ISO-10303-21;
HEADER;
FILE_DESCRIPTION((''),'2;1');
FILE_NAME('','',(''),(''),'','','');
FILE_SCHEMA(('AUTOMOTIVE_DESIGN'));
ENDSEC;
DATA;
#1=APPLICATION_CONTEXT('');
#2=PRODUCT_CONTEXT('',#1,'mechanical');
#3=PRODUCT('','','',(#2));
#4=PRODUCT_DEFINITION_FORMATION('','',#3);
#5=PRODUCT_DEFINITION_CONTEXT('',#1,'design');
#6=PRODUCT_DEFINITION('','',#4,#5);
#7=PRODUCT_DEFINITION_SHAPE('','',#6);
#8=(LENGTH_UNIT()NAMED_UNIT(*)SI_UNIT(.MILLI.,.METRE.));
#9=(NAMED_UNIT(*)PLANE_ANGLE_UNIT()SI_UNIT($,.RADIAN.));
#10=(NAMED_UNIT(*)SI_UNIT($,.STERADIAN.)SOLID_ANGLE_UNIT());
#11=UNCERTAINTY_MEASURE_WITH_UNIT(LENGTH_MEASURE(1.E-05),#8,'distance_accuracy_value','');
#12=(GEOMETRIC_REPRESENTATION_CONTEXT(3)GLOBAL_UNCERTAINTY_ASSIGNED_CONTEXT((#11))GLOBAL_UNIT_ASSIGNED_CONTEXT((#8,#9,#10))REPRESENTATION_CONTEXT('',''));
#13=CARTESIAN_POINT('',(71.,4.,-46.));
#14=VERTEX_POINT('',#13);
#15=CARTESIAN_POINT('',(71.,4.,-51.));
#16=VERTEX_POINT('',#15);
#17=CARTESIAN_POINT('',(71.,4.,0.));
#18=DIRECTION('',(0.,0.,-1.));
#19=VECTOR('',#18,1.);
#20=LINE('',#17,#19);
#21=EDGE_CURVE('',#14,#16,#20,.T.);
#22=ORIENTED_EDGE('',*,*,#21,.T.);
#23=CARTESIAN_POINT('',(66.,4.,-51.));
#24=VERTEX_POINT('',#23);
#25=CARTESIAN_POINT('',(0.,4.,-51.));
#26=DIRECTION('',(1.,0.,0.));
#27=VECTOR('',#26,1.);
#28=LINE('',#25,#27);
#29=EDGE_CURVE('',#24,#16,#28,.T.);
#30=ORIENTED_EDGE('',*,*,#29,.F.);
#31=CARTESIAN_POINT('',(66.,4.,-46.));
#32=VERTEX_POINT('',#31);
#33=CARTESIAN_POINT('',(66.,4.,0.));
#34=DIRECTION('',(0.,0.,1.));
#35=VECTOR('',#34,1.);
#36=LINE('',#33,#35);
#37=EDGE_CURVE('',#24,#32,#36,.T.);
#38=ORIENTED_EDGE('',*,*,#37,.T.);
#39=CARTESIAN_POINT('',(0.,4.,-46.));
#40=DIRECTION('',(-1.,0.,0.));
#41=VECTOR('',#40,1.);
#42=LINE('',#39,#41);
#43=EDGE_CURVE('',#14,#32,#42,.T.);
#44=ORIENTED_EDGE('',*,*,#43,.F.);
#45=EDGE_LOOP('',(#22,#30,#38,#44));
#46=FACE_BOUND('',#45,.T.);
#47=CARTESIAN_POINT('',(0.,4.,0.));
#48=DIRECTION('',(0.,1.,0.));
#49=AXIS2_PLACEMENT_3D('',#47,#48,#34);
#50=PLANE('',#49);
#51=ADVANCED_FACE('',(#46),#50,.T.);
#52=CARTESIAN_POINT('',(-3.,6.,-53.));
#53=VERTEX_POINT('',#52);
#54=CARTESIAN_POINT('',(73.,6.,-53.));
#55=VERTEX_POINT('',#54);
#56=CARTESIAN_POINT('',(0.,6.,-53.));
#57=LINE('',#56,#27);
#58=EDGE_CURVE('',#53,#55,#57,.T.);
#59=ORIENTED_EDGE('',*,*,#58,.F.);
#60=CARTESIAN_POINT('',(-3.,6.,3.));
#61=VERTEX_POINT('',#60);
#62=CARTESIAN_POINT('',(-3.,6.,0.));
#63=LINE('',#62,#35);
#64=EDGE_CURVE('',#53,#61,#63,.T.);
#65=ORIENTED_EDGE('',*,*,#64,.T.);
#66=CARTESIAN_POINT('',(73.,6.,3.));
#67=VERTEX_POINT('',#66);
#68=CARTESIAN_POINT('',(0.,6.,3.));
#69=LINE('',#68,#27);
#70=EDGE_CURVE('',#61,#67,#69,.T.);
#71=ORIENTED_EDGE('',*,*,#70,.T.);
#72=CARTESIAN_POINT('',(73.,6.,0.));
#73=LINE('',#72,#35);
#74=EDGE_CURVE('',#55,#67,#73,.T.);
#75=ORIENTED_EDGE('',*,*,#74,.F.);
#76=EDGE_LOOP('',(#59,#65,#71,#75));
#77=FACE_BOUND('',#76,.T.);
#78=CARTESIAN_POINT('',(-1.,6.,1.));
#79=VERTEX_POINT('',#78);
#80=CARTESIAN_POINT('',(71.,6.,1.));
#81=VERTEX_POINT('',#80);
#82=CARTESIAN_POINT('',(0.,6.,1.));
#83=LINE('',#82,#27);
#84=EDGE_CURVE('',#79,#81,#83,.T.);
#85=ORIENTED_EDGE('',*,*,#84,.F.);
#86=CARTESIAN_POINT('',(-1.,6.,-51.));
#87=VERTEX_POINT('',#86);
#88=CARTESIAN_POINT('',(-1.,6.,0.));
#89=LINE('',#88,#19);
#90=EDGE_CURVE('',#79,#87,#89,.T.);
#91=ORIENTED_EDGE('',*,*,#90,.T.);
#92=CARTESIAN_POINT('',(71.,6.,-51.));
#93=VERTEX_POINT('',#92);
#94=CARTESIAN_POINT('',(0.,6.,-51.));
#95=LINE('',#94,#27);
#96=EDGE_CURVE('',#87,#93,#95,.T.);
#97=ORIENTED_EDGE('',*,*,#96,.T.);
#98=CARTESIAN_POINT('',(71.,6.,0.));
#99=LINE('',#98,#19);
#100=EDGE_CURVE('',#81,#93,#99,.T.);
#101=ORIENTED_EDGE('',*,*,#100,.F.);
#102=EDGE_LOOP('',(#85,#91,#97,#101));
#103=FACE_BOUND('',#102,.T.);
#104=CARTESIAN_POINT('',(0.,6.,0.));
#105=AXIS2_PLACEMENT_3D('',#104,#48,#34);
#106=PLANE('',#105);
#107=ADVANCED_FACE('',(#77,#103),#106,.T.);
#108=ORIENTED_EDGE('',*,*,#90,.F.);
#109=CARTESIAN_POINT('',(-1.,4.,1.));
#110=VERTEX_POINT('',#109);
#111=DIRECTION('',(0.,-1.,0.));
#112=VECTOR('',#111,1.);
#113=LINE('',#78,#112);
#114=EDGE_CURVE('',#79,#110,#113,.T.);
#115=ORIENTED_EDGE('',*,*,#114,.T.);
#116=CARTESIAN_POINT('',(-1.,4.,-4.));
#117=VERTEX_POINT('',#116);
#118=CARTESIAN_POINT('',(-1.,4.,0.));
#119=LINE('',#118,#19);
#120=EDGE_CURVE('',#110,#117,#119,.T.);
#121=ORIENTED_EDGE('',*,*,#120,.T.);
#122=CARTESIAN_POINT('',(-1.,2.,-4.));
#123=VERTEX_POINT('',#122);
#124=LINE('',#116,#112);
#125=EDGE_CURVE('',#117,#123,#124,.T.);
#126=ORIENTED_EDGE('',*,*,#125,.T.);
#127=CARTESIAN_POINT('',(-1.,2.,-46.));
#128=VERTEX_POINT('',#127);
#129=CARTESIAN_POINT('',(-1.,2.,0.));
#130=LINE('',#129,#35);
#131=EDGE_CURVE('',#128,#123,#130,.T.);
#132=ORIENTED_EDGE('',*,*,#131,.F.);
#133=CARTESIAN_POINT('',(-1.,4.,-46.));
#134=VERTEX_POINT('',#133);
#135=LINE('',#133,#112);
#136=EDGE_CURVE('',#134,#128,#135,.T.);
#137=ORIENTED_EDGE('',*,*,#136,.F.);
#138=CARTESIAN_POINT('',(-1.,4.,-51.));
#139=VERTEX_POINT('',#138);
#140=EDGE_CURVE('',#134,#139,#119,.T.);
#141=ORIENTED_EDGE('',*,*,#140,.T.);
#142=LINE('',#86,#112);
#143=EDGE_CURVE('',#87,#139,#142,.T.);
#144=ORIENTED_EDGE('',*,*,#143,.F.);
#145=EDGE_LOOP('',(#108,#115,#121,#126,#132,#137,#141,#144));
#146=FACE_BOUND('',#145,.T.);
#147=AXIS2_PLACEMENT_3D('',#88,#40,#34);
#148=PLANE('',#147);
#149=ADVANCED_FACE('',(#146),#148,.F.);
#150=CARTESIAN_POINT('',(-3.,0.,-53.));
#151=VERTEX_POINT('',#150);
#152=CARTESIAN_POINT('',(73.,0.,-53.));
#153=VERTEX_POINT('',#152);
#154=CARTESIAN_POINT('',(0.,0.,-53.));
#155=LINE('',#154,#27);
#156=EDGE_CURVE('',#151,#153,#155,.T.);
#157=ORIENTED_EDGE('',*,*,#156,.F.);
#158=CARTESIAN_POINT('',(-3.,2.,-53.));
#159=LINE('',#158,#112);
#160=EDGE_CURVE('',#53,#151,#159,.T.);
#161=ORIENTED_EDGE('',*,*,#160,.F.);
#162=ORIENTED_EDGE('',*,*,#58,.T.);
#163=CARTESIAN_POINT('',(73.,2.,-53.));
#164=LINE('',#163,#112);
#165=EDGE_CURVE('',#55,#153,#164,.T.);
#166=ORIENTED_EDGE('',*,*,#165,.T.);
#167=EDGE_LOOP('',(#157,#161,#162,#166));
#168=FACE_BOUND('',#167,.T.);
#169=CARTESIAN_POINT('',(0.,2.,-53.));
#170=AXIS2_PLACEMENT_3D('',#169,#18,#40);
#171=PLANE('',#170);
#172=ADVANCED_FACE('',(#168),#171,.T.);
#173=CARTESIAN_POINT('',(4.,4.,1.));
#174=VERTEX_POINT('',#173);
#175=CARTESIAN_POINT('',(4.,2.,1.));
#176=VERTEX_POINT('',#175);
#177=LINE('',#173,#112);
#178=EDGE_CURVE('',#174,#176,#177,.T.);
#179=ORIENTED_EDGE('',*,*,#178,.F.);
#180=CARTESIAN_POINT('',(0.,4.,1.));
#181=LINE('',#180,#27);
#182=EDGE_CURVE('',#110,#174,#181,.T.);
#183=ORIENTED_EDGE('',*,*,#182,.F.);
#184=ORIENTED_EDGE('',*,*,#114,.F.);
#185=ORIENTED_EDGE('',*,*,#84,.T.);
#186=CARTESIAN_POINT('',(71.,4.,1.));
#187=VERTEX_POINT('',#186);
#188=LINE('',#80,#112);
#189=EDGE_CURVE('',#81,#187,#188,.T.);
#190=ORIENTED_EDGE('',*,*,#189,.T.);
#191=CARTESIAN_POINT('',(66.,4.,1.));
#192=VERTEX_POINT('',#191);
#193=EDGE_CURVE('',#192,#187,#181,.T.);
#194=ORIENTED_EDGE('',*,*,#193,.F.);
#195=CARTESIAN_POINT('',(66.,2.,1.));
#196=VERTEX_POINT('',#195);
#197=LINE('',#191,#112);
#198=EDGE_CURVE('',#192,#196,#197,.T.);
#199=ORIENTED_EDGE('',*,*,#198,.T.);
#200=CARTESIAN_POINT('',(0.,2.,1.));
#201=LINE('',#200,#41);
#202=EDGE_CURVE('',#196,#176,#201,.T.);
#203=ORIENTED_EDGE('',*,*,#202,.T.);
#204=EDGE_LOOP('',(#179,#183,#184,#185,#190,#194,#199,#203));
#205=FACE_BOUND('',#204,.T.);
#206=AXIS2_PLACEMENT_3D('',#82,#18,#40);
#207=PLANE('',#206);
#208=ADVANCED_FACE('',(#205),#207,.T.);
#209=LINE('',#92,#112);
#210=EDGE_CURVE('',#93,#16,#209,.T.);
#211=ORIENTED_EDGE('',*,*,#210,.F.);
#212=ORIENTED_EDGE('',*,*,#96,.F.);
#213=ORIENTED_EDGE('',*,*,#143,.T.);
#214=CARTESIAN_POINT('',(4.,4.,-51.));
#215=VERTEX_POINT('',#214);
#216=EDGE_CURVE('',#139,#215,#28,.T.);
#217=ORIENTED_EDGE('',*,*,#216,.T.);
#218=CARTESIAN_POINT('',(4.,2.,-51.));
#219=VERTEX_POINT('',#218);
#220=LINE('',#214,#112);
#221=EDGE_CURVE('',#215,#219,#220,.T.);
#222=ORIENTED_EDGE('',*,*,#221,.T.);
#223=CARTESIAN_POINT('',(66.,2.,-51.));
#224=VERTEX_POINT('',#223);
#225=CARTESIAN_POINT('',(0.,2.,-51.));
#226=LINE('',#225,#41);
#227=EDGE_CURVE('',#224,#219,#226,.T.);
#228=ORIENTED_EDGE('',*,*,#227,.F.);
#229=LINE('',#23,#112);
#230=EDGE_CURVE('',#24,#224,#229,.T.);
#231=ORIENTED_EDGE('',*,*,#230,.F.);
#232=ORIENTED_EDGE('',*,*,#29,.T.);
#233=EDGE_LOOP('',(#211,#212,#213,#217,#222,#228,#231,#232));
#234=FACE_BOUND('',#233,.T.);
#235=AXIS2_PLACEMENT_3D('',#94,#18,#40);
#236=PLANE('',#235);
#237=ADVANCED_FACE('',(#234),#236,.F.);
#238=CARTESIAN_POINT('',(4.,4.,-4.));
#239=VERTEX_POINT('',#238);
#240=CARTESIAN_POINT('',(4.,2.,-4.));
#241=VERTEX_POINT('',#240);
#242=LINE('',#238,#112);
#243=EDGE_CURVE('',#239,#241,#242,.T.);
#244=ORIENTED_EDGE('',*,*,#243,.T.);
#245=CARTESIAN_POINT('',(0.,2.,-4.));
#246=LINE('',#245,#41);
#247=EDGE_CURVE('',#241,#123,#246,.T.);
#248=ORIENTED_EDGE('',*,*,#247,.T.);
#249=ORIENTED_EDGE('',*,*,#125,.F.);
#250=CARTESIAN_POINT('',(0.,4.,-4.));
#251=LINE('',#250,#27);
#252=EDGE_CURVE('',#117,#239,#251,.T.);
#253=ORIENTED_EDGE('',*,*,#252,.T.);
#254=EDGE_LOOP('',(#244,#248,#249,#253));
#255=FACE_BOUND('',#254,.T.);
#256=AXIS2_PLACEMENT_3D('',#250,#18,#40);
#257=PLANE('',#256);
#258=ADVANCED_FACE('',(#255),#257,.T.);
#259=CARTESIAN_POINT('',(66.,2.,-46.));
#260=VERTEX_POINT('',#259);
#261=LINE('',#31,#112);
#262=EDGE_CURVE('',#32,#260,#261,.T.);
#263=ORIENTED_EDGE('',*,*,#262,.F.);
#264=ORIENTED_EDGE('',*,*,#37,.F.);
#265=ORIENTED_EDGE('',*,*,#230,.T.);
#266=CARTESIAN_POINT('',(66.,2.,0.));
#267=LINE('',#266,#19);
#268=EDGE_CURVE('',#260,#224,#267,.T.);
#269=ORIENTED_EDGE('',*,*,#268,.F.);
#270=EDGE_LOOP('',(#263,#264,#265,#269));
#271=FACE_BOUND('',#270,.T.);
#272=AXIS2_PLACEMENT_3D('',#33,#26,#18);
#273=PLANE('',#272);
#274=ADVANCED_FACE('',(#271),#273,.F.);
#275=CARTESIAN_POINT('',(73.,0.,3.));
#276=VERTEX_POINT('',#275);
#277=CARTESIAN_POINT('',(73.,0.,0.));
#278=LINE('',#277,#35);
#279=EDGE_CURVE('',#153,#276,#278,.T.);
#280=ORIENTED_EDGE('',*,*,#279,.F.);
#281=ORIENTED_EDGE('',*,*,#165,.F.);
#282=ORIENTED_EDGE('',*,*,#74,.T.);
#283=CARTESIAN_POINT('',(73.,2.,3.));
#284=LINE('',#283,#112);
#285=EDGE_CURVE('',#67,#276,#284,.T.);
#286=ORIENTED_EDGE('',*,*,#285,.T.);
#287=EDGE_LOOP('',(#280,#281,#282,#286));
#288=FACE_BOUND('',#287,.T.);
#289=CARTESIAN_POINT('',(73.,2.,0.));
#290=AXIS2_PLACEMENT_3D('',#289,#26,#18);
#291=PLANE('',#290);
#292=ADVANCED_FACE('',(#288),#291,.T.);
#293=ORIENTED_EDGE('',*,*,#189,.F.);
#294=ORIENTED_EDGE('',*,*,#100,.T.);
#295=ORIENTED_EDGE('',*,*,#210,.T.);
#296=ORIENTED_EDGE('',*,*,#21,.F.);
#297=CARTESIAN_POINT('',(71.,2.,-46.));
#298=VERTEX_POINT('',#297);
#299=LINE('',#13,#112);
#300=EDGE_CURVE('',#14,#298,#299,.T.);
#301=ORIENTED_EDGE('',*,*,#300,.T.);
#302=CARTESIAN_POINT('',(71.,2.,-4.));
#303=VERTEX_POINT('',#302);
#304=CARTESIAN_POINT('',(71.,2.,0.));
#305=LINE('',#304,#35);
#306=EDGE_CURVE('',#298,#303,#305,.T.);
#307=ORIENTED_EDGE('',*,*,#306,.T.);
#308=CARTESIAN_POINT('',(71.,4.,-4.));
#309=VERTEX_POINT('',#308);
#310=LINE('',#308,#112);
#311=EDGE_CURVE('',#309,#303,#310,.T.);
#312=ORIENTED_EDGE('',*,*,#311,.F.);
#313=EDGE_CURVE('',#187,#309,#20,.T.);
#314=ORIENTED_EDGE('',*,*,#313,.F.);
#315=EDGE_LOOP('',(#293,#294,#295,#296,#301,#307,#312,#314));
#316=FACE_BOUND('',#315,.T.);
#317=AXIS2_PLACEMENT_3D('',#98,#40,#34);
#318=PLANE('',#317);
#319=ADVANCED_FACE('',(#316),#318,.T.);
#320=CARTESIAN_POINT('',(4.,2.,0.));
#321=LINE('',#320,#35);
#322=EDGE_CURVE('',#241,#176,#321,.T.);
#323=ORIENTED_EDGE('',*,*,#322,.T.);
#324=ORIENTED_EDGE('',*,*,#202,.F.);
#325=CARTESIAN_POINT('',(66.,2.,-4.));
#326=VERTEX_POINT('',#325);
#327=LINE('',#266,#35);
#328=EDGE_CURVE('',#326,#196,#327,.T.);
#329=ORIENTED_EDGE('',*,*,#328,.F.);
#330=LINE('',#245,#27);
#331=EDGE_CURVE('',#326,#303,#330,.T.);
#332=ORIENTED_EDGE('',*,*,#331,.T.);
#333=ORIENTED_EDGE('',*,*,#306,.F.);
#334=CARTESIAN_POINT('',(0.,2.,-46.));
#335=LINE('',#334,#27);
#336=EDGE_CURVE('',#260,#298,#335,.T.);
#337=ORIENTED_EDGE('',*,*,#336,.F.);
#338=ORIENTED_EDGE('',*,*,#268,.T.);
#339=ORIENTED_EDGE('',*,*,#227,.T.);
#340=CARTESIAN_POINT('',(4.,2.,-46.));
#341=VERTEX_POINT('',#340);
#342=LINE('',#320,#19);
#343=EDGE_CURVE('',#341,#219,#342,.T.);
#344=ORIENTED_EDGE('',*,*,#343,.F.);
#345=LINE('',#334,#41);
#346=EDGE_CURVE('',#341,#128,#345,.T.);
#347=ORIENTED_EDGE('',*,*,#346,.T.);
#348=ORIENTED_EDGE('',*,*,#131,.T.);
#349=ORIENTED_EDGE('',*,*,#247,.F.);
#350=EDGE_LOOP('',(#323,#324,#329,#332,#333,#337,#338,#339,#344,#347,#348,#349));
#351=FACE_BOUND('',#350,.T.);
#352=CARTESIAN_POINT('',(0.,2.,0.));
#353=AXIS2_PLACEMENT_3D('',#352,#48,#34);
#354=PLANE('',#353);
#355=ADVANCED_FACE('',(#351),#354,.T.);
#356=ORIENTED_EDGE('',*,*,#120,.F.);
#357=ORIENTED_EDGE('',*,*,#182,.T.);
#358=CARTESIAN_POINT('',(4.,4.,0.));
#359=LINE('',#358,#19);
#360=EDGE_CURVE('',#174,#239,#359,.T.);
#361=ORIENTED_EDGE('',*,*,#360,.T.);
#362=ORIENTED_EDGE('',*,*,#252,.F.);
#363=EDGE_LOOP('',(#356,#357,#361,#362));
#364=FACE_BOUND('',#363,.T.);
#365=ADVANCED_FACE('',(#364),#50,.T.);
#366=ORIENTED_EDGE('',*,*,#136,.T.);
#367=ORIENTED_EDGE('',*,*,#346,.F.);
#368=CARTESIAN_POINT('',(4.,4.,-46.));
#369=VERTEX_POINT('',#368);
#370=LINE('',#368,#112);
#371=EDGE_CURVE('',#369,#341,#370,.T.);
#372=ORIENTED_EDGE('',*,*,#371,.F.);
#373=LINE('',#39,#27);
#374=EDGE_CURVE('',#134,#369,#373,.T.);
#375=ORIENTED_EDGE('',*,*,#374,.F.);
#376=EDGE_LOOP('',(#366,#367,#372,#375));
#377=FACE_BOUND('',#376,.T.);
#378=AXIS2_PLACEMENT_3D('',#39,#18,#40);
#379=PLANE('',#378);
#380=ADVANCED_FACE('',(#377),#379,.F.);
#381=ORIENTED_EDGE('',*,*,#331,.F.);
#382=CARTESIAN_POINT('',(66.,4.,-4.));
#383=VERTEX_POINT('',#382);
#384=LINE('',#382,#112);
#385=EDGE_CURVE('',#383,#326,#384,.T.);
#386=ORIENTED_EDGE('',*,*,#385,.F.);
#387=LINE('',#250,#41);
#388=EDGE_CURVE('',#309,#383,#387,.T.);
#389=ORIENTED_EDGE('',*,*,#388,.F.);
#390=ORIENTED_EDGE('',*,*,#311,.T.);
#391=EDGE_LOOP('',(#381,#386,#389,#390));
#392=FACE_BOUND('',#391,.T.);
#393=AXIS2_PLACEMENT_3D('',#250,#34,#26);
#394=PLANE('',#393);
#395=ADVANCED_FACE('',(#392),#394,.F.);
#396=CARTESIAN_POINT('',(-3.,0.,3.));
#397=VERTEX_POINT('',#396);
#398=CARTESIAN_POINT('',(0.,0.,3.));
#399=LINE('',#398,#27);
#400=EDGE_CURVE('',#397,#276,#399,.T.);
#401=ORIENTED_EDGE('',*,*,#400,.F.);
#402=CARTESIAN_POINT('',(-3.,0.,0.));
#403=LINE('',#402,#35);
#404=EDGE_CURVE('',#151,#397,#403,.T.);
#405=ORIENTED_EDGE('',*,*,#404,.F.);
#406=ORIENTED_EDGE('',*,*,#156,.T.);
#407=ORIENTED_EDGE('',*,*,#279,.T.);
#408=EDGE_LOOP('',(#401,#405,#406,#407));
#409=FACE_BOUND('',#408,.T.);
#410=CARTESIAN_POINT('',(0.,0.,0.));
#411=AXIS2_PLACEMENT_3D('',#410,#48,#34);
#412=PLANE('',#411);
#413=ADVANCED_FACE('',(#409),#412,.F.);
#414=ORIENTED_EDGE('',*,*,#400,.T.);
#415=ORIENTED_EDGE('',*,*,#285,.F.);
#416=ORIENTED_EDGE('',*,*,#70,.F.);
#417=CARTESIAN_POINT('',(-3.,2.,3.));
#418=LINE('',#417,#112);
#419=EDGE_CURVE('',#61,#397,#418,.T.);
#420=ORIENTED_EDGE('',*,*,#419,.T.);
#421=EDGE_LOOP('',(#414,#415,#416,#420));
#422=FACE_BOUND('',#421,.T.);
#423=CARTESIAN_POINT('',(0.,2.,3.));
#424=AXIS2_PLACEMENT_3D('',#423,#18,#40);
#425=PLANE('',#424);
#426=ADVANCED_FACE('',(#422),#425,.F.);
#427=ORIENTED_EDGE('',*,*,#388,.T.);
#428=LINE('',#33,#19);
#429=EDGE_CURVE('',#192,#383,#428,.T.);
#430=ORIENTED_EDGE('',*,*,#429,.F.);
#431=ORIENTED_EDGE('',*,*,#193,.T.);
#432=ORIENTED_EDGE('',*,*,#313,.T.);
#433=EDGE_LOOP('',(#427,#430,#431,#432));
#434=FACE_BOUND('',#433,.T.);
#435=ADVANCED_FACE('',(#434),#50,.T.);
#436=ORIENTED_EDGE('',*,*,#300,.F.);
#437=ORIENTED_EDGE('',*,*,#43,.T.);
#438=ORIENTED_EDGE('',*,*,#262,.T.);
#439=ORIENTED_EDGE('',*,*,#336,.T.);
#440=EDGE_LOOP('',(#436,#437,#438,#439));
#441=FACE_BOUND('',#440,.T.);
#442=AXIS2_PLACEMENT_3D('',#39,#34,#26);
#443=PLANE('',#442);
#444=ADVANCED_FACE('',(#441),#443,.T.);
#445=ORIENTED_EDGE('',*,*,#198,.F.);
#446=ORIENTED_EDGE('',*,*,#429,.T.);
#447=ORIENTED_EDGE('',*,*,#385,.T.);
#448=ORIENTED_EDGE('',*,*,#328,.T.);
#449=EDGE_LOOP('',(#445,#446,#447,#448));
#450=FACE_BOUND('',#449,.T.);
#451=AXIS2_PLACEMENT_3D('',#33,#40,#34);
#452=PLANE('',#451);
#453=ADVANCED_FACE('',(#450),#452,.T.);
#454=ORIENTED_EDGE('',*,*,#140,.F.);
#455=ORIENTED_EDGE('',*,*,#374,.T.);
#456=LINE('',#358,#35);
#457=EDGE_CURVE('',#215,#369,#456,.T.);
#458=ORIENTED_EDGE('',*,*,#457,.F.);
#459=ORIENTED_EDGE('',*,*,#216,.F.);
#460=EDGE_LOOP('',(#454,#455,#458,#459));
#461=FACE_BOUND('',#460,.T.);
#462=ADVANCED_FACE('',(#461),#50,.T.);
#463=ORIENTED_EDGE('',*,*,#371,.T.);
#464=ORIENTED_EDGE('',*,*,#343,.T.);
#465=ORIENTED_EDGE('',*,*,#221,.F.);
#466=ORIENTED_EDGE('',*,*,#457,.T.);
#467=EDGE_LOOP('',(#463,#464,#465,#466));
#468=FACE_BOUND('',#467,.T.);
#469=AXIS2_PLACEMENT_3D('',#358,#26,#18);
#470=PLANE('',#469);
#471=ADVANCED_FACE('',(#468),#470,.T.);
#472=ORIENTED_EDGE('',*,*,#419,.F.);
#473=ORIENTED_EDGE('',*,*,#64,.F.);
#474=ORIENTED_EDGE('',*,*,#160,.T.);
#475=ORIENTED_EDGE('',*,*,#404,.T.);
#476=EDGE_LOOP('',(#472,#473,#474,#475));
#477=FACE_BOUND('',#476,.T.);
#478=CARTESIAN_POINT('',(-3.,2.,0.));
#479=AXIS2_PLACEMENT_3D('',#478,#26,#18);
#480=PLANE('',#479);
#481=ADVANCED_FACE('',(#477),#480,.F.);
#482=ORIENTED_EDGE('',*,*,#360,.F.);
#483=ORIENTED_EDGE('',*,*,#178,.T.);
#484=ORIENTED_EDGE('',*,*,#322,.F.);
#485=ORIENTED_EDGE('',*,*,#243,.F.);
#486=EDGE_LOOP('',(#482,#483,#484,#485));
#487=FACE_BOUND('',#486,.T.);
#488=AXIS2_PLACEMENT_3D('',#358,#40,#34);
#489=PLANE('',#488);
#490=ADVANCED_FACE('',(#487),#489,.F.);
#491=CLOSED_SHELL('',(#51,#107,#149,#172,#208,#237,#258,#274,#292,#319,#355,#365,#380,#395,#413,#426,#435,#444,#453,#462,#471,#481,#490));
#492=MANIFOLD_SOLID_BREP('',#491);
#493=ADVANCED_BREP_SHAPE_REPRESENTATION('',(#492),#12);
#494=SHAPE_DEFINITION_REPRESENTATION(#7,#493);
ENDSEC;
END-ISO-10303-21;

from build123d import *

# Parameters (mm, degrees)
SKETCH1_W           = 76
SKETCH1_H           = 56
BOSS_EXTRUDE1_DEPTH = 2
SKETCH1_4_W         = 5
SKETCH1_4_H         = 5
BOSS_EXTRUDE2_DEPTH = 4
SKETCH1_5_W         = 76
SKETCH1_5_H         = 56
SKETCH1_5_W_2       = 72
SKETCH1_5_H_2       = 52
BOSS_EXTRUDE3_DEPTH = 6


with BuildPart() as part:
    # Sketch1 → Boss-Extrude1 (new body)
    with BuildSketch(Plane(origin=(0, 0, 0), x_dir=(1, 0, 0), z_dir=(0, 1, 0))):
        with Locations((35, 25)):
            Rectangle(SKETCH1_W, SKETCH1_H)
    extrude(amount=BOSS_EXTRUDE1_DEPTH)

    # Sketch1<4> → Boss-Extrude2 (add)
    with BuildSketch(Plane(origin=(0, 0, 0), x_dir=(1, 0, 0), z_dir=(0, 1, 0))):
        with Locations((1.5, 48.5)):
            Rectangle(SKETCH1_4_W, SKETCH1_4_H)
        with Locations((68.5, 48.5)):
            Rectangle(SKETCH1_4_W, SKETCH1_4_H)
        with Locations((1.5, 1.5)):
            Rectangle(SKETCH1_4_W, SKETCH1_4_H)
        with Locations((68.5, 1.5)):
            Rectangle(SKETCH1_4_W, SKETCH1_4_H)
    extrude(amount=BOSS_EXTRUDE2_DEPTH)

    # Sketch1<5> → Boss-Extrude3 (add)
    with BuildSketch(Plane(origin=(0, 0, 0), x_dir=(1, 0, 0), z_dir=(0, 1, 0))):
        with Locations((35, 25)):
            Rectangle(SKETCH1_5_W, SKETCH1_5_H)
        with Locations((35, 25)):
            Rectangle(SKETCH1_5_W_2, SKETCH1_5_H_2, mode=Mode.SUBTRACT)
    extrude(amount=BOSS_EXTRUDE3_DEPTH)


solid = part.part
